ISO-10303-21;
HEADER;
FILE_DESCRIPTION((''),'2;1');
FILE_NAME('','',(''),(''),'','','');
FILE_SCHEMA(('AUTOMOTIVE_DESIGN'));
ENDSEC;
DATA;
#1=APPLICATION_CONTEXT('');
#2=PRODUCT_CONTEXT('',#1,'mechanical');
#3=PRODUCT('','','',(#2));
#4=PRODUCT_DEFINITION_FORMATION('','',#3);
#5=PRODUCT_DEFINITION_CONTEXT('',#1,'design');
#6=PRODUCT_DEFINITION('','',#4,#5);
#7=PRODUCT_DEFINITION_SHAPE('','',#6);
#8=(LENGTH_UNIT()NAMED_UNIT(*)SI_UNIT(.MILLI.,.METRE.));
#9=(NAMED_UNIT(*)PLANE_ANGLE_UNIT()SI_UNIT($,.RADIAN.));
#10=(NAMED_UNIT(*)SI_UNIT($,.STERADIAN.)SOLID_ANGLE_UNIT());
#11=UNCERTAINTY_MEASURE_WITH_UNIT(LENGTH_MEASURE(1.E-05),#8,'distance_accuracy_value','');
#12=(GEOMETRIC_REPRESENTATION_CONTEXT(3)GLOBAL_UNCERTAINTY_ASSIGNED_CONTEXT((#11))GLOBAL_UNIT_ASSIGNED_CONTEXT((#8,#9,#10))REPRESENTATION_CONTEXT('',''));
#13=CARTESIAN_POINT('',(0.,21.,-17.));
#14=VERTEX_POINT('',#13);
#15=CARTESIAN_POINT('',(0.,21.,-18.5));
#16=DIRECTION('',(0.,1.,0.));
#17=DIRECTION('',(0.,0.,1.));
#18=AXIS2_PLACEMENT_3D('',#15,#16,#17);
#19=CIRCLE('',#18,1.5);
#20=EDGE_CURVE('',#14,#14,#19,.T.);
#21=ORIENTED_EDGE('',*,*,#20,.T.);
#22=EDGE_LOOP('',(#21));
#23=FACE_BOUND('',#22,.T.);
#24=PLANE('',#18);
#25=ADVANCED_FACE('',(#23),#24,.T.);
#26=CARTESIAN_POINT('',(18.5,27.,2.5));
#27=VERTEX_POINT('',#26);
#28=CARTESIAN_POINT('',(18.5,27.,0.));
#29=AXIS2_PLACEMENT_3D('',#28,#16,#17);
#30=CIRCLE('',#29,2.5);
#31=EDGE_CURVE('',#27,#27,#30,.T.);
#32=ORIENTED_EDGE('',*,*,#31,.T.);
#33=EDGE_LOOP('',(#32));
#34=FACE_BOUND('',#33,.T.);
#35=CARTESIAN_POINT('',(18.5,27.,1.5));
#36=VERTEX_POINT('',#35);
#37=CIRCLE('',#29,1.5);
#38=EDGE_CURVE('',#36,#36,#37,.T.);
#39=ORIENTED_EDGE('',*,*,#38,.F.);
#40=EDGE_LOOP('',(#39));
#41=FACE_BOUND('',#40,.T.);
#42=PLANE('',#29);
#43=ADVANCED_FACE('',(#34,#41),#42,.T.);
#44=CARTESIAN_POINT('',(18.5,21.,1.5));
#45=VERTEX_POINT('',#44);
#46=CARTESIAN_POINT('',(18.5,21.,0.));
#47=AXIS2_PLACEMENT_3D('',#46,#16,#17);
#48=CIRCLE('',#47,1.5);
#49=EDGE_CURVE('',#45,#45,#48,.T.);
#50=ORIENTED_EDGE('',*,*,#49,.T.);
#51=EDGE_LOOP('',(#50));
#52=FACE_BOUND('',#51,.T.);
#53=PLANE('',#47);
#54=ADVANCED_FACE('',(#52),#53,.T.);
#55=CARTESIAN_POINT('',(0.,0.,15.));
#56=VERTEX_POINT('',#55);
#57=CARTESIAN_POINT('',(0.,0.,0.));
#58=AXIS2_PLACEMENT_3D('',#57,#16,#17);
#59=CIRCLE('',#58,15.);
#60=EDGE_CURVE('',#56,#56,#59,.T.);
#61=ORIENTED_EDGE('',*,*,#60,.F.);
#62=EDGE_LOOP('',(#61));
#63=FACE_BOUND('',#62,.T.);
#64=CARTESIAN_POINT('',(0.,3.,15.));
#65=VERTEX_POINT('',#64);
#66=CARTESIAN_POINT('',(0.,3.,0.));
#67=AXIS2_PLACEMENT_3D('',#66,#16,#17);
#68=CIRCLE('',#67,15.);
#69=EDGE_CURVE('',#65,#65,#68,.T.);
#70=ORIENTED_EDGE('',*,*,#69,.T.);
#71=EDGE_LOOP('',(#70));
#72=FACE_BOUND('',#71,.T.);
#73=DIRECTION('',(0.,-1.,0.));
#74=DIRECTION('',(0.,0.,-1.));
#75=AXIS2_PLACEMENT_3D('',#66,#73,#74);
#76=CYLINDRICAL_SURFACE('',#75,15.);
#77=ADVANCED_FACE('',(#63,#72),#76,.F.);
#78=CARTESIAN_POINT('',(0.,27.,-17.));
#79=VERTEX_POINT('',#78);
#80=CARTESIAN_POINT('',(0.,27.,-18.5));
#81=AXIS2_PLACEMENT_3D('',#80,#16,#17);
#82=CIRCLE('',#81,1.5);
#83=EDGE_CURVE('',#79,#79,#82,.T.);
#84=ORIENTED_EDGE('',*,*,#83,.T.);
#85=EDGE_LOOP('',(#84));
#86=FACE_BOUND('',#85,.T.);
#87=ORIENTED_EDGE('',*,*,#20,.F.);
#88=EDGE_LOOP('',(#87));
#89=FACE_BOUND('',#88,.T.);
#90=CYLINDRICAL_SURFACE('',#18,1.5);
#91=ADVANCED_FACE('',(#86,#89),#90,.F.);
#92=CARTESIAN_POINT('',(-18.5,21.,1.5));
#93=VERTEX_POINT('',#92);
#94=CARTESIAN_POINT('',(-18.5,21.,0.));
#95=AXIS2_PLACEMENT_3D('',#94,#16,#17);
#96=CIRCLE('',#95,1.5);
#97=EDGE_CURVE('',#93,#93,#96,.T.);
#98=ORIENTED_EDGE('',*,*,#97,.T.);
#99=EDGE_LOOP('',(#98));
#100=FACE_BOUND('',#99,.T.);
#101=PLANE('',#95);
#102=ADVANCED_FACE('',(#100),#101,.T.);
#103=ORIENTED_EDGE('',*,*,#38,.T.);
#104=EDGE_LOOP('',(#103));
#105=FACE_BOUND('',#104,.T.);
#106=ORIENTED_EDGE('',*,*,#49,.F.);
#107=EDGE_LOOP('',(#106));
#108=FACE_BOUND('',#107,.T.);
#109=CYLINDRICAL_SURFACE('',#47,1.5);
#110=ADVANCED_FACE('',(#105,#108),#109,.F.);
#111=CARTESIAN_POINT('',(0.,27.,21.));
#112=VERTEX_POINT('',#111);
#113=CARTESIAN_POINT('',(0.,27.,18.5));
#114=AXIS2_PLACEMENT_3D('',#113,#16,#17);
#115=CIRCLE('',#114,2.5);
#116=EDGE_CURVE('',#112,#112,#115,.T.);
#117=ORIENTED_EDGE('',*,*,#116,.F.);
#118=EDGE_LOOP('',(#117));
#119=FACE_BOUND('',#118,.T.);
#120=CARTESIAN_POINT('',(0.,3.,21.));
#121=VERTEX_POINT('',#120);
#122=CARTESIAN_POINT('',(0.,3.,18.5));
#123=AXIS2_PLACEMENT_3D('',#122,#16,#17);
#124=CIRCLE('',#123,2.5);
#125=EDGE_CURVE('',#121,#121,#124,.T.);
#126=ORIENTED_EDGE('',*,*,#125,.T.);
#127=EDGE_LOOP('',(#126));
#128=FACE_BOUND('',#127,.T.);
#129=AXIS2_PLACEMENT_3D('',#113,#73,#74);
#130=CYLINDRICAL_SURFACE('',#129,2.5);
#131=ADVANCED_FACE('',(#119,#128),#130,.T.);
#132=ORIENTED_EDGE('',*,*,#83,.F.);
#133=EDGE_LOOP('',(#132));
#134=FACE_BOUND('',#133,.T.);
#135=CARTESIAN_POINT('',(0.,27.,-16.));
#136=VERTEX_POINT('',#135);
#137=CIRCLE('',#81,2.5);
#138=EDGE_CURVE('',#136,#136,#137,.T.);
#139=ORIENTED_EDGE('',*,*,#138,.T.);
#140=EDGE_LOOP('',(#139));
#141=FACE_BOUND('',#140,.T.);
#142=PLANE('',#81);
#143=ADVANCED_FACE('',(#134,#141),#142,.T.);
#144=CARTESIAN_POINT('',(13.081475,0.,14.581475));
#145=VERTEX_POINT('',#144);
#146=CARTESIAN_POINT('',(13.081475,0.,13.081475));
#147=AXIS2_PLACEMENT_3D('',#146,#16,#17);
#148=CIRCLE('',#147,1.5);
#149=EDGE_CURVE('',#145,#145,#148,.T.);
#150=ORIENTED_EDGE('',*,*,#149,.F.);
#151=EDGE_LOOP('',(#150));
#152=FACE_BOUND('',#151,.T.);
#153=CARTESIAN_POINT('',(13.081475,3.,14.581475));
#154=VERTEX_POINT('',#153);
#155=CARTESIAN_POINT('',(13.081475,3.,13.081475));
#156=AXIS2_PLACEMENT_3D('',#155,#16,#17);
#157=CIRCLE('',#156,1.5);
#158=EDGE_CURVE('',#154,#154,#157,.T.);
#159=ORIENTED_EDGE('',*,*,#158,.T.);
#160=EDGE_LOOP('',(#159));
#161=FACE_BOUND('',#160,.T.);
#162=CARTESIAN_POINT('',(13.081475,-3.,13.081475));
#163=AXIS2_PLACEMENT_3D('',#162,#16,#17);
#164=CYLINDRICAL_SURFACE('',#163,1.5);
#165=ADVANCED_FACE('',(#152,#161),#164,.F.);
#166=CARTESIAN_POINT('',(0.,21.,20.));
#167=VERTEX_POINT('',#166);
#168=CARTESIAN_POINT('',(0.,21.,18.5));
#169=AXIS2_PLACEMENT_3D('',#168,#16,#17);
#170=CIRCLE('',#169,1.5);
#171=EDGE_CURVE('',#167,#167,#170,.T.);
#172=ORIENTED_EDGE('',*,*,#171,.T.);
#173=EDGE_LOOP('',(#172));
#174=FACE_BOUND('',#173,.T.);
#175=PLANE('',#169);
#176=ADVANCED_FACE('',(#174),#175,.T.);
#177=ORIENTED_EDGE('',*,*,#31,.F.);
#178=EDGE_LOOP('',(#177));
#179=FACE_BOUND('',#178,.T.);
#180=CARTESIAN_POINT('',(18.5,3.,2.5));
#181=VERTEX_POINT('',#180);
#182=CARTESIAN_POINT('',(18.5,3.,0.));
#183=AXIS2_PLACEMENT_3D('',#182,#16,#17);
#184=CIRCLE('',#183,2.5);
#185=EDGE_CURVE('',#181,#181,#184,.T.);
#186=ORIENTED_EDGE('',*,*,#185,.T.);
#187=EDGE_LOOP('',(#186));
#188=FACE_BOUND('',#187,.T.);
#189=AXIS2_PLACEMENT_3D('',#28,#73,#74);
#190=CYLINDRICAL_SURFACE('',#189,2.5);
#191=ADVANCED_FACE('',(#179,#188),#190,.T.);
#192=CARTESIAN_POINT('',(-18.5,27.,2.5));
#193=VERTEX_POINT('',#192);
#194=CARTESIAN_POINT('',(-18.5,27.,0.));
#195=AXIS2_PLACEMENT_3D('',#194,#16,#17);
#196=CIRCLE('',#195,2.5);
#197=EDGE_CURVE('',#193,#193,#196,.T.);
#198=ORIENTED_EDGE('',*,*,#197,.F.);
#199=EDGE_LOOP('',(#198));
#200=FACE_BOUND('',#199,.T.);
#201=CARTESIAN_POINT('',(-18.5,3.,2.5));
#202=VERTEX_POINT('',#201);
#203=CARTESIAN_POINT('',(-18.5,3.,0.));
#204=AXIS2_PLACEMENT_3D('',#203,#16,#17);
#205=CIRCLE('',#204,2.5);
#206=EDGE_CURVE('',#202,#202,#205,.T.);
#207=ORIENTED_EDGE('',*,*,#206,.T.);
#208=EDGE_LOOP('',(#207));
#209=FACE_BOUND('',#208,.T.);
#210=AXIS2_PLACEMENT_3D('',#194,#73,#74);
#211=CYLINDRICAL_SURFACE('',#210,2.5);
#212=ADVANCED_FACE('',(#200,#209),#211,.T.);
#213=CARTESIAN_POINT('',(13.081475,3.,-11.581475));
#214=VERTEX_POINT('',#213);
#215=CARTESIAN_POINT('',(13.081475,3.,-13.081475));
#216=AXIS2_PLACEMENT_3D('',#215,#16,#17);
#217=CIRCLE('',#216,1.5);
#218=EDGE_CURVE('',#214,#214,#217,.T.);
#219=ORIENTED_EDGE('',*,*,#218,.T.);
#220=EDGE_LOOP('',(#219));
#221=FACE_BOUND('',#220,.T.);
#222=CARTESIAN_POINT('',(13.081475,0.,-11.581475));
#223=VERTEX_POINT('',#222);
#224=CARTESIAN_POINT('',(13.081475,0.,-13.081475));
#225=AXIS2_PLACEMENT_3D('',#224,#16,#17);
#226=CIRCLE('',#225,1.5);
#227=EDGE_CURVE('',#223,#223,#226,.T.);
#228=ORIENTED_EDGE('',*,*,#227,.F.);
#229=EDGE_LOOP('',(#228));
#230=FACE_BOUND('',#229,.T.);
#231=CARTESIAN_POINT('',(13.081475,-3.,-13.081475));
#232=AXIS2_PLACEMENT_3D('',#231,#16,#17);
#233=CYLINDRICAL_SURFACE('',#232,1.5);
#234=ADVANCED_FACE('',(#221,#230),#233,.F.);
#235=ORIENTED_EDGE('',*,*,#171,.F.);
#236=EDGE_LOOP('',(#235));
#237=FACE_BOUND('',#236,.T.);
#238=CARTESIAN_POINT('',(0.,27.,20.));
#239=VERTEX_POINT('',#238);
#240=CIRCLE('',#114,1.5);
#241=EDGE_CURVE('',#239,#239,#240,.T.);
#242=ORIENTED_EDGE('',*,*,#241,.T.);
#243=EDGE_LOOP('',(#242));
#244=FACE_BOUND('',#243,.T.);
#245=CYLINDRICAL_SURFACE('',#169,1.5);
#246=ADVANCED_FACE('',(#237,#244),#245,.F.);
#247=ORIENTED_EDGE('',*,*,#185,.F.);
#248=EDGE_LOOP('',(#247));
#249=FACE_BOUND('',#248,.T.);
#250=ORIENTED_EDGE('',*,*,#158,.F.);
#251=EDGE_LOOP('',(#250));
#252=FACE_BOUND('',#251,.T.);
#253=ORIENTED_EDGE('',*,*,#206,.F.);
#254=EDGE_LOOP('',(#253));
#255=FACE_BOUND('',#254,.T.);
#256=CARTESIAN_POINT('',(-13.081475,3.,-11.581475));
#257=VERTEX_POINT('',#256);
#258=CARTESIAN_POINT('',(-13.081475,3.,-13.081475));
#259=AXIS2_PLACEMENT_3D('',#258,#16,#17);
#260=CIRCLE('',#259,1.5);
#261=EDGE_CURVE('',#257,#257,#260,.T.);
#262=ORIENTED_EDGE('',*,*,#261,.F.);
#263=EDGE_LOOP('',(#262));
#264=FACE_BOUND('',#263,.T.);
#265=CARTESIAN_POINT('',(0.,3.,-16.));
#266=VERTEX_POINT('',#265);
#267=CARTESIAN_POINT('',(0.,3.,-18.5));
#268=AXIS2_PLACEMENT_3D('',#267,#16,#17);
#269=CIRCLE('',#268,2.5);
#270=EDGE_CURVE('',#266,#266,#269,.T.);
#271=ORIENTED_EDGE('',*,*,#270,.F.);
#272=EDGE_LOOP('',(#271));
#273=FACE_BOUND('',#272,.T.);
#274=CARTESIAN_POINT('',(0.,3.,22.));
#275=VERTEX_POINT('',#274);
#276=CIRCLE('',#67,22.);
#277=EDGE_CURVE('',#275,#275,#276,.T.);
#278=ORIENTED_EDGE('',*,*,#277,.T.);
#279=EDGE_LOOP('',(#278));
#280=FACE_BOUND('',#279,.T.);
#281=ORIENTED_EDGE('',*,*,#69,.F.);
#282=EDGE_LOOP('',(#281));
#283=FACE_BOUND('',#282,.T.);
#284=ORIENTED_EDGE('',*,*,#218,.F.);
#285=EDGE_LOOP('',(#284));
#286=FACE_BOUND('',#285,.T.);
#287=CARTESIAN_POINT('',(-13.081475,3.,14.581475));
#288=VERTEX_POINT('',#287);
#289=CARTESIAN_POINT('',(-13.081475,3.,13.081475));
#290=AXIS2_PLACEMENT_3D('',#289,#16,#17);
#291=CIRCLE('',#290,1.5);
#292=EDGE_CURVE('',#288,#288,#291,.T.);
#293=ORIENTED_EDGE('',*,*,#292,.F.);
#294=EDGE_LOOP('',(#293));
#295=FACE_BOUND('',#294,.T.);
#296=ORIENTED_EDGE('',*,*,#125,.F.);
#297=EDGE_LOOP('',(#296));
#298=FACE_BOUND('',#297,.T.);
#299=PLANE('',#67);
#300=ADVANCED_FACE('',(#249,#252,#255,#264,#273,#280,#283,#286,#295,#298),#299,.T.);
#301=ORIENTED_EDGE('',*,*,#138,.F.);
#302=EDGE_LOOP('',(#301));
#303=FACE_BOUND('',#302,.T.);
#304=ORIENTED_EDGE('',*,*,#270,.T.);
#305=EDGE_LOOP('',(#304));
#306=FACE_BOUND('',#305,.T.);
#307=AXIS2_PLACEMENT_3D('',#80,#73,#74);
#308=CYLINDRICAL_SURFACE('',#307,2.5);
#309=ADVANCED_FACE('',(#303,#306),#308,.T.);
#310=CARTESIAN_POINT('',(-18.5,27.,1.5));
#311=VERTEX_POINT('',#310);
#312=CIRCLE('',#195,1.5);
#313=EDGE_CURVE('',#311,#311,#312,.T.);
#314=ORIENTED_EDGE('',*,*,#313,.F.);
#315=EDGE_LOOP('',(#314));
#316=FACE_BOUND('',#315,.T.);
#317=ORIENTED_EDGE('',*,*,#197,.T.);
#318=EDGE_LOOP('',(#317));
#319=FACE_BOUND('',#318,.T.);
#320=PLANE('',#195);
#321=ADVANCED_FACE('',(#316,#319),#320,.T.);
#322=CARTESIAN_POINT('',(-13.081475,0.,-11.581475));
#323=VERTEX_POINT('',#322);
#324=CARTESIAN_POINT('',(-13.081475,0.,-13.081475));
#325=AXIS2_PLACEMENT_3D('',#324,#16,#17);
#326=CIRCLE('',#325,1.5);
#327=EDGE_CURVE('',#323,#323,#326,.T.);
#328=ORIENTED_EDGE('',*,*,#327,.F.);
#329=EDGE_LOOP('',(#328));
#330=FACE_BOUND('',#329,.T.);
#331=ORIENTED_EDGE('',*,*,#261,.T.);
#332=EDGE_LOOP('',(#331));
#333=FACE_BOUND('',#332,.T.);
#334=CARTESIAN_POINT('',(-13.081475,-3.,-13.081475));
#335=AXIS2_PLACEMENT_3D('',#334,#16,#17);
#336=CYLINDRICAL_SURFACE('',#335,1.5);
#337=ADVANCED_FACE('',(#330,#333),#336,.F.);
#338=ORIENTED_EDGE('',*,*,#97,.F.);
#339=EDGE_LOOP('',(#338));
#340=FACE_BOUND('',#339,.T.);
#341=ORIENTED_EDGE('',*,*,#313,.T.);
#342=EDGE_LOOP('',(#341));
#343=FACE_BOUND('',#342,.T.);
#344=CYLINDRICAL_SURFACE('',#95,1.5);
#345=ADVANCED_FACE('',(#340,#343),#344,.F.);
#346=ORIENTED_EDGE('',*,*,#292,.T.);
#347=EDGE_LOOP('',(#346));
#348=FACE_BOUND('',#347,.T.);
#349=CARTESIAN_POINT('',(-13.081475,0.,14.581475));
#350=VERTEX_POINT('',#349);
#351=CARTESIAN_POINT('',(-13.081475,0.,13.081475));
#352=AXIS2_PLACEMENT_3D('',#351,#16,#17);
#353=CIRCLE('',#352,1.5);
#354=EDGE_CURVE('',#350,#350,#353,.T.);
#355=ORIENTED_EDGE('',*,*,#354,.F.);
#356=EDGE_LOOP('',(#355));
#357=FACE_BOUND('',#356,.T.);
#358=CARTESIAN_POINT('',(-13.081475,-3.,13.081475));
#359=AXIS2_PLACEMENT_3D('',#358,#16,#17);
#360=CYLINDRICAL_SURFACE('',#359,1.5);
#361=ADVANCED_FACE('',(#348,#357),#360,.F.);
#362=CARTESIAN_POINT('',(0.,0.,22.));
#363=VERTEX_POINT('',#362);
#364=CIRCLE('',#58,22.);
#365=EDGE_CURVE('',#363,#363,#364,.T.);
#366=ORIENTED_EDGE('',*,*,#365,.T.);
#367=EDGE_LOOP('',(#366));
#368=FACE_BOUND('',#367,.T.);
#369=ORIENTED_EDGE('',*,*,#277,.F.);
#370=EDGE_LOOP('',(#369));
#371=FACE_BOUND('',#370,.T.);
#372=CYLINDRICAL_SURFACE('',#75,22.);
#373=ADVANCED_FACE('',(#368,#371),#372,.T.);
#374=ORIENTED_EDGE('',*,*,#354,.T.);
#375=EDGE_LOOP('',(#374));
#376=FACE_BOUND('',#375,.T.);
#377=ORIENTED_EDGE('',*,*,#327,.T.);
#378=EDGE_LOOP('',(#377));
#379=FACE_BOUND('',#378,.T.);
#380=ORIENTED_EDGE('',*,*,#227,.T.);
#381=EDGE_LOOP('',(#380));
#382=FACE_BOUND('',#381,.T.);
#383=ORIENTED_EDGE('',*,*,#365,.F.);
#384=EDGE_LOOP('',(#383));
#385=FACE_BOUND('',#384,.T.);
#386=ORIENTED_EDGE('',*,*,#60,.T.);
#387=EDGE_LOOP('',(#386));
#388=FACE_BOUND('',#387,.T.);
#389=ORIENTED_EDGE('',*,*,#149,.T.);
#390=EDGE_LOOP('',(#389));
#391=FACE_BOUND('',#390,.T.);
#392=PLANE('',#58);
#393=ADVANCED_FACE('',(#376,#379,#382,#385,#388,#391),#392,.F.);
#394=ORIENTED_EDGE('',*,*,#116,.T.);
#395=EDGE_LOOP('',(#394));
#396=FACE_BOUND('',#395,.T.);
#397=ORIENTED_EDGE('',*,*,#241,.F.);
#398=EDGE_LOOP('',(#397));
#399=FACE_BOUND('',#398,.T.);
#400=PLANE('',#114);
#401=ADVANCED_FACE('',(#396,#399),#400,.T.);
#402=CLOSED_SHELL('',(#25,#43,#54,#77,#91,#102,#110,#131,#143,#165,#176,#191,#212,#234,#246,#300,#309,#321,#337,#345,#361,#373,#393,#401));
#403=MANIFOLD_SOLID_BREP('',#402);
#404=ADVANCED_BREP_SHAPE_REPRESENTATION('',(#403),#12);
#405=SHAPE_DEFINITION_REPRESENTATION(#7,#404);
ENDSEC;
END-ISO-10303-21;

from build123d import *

# Parameters (mm, degrees)
SKETCH1_R           = 22
SKETCH1_R_2         = 15
BOSS_EXTRUDE1_DEPTH = 3
SKETCH3_R           = 2.5
BOSS_EXTRUDE2_DEPTH = 24
SKETCH4_R           = 1.5
CUT_EXTRUDE1_DEPTH  = 6
SKETCH5_R           = 1.5
CUT_EXTRUDE2_DEPTH  = 6


with BuildPart() as part:
    # Sketch1 → Boss-Extrude1 (new body)
    with BuildSketch(Plane(origin=(0, 0, 0), x_dir=(1, 0, 0), z_dir=(0, 1, 0))):
        with Locations(Location((0, 0, 0), (0, 0, 270))):
            Circle(SKETCH1_R)
        with Locations(Location((0, 0, 0), (0, 0, 270))):
            Circle(SKETCH1_R_2, mode=Mode.SUBTRACT)
    extrude(amount=BOSS_EXTRUDE1_DEPTH)

    # Sketch3 → Boss-Extrude2 (add)
    with BuildSketch(Plane(origin=(0, 3, 0), x_dir=(1, 0, 0), z_dir=(0, 1, 0))):
        with Locations(Location((0, 18.5, 0), (0, 0, 270))):
            Circle(SKETCH3_R)
        with Locations(Location((18.5, 0, 0), (0, 0, 270))):
            Circle(SKETCH3_R)
        with Locations(Location((0, -18.5, 0), (0, 0, 270))):
            Circle(SKETCH3_R)
        with Locations(Location((-18.5, 0, 0), (0, 0, 270))):
            Circle(SKETCH3_R)
    extrude(amount=BOSS_EXTRUDE2_DEPTH)

    # Sketch4 → Cut-Extrude1 (cut)
    with BuildSketch(Plane(origin=(0, 27, 0), x_dir=(1, 0, 0), z_dir=(0, 1, 0))):
        with Locations(Location((-18.5, 0, 0), (0, 0, 270))):
            Circle(SKETCH4_R)
        with Locations(Location((0, 18.5, 0), (0, 0, 270))):
            Circle(SKETCH4_R)
        with Locations(Location((18.5, 0, 0), (0, 0, 270))):
            Circle(SKETCH4_R)
        with Locations(Location((0, -18.5, 0), (0, 0, 270))):
            Circle(SKETCH4_R)
    extrude(amount=-CUT_EXTRUDE1_DEPTH, mode=Mode.SUBTRACT)

    # Sketch5 → Cut-Extrude2 (cut)
    with BuildSketch(Plane(origin=(0, 3, 0), x_dir=(1, 0, 0), z_dir=(0, 1, 0))):
        with Locations(Location((13.081475452, 13.081475452, 0), (0, 0, 270))):
            Circle(SKETCH5_R)
        with Locations(Location((13.081475452, -13.081475452, 0), (0, 0, 270))):
            Circle(SKETCH5_R)
        with Locations(Location((-13.081475452, -13.081475452, 0), (0, 0, 270))):
            Circle(SKETCH5_R)
        with Locations(Location((-13.081475452, 13.081475452, 0), (0, 0, 270))):
            Circle(SKETCH5_R)
    extrude(amount=-CUT_EXTRUDE2_DEPTH, mode=Mode.SUBTRACT)


solid = part.part
